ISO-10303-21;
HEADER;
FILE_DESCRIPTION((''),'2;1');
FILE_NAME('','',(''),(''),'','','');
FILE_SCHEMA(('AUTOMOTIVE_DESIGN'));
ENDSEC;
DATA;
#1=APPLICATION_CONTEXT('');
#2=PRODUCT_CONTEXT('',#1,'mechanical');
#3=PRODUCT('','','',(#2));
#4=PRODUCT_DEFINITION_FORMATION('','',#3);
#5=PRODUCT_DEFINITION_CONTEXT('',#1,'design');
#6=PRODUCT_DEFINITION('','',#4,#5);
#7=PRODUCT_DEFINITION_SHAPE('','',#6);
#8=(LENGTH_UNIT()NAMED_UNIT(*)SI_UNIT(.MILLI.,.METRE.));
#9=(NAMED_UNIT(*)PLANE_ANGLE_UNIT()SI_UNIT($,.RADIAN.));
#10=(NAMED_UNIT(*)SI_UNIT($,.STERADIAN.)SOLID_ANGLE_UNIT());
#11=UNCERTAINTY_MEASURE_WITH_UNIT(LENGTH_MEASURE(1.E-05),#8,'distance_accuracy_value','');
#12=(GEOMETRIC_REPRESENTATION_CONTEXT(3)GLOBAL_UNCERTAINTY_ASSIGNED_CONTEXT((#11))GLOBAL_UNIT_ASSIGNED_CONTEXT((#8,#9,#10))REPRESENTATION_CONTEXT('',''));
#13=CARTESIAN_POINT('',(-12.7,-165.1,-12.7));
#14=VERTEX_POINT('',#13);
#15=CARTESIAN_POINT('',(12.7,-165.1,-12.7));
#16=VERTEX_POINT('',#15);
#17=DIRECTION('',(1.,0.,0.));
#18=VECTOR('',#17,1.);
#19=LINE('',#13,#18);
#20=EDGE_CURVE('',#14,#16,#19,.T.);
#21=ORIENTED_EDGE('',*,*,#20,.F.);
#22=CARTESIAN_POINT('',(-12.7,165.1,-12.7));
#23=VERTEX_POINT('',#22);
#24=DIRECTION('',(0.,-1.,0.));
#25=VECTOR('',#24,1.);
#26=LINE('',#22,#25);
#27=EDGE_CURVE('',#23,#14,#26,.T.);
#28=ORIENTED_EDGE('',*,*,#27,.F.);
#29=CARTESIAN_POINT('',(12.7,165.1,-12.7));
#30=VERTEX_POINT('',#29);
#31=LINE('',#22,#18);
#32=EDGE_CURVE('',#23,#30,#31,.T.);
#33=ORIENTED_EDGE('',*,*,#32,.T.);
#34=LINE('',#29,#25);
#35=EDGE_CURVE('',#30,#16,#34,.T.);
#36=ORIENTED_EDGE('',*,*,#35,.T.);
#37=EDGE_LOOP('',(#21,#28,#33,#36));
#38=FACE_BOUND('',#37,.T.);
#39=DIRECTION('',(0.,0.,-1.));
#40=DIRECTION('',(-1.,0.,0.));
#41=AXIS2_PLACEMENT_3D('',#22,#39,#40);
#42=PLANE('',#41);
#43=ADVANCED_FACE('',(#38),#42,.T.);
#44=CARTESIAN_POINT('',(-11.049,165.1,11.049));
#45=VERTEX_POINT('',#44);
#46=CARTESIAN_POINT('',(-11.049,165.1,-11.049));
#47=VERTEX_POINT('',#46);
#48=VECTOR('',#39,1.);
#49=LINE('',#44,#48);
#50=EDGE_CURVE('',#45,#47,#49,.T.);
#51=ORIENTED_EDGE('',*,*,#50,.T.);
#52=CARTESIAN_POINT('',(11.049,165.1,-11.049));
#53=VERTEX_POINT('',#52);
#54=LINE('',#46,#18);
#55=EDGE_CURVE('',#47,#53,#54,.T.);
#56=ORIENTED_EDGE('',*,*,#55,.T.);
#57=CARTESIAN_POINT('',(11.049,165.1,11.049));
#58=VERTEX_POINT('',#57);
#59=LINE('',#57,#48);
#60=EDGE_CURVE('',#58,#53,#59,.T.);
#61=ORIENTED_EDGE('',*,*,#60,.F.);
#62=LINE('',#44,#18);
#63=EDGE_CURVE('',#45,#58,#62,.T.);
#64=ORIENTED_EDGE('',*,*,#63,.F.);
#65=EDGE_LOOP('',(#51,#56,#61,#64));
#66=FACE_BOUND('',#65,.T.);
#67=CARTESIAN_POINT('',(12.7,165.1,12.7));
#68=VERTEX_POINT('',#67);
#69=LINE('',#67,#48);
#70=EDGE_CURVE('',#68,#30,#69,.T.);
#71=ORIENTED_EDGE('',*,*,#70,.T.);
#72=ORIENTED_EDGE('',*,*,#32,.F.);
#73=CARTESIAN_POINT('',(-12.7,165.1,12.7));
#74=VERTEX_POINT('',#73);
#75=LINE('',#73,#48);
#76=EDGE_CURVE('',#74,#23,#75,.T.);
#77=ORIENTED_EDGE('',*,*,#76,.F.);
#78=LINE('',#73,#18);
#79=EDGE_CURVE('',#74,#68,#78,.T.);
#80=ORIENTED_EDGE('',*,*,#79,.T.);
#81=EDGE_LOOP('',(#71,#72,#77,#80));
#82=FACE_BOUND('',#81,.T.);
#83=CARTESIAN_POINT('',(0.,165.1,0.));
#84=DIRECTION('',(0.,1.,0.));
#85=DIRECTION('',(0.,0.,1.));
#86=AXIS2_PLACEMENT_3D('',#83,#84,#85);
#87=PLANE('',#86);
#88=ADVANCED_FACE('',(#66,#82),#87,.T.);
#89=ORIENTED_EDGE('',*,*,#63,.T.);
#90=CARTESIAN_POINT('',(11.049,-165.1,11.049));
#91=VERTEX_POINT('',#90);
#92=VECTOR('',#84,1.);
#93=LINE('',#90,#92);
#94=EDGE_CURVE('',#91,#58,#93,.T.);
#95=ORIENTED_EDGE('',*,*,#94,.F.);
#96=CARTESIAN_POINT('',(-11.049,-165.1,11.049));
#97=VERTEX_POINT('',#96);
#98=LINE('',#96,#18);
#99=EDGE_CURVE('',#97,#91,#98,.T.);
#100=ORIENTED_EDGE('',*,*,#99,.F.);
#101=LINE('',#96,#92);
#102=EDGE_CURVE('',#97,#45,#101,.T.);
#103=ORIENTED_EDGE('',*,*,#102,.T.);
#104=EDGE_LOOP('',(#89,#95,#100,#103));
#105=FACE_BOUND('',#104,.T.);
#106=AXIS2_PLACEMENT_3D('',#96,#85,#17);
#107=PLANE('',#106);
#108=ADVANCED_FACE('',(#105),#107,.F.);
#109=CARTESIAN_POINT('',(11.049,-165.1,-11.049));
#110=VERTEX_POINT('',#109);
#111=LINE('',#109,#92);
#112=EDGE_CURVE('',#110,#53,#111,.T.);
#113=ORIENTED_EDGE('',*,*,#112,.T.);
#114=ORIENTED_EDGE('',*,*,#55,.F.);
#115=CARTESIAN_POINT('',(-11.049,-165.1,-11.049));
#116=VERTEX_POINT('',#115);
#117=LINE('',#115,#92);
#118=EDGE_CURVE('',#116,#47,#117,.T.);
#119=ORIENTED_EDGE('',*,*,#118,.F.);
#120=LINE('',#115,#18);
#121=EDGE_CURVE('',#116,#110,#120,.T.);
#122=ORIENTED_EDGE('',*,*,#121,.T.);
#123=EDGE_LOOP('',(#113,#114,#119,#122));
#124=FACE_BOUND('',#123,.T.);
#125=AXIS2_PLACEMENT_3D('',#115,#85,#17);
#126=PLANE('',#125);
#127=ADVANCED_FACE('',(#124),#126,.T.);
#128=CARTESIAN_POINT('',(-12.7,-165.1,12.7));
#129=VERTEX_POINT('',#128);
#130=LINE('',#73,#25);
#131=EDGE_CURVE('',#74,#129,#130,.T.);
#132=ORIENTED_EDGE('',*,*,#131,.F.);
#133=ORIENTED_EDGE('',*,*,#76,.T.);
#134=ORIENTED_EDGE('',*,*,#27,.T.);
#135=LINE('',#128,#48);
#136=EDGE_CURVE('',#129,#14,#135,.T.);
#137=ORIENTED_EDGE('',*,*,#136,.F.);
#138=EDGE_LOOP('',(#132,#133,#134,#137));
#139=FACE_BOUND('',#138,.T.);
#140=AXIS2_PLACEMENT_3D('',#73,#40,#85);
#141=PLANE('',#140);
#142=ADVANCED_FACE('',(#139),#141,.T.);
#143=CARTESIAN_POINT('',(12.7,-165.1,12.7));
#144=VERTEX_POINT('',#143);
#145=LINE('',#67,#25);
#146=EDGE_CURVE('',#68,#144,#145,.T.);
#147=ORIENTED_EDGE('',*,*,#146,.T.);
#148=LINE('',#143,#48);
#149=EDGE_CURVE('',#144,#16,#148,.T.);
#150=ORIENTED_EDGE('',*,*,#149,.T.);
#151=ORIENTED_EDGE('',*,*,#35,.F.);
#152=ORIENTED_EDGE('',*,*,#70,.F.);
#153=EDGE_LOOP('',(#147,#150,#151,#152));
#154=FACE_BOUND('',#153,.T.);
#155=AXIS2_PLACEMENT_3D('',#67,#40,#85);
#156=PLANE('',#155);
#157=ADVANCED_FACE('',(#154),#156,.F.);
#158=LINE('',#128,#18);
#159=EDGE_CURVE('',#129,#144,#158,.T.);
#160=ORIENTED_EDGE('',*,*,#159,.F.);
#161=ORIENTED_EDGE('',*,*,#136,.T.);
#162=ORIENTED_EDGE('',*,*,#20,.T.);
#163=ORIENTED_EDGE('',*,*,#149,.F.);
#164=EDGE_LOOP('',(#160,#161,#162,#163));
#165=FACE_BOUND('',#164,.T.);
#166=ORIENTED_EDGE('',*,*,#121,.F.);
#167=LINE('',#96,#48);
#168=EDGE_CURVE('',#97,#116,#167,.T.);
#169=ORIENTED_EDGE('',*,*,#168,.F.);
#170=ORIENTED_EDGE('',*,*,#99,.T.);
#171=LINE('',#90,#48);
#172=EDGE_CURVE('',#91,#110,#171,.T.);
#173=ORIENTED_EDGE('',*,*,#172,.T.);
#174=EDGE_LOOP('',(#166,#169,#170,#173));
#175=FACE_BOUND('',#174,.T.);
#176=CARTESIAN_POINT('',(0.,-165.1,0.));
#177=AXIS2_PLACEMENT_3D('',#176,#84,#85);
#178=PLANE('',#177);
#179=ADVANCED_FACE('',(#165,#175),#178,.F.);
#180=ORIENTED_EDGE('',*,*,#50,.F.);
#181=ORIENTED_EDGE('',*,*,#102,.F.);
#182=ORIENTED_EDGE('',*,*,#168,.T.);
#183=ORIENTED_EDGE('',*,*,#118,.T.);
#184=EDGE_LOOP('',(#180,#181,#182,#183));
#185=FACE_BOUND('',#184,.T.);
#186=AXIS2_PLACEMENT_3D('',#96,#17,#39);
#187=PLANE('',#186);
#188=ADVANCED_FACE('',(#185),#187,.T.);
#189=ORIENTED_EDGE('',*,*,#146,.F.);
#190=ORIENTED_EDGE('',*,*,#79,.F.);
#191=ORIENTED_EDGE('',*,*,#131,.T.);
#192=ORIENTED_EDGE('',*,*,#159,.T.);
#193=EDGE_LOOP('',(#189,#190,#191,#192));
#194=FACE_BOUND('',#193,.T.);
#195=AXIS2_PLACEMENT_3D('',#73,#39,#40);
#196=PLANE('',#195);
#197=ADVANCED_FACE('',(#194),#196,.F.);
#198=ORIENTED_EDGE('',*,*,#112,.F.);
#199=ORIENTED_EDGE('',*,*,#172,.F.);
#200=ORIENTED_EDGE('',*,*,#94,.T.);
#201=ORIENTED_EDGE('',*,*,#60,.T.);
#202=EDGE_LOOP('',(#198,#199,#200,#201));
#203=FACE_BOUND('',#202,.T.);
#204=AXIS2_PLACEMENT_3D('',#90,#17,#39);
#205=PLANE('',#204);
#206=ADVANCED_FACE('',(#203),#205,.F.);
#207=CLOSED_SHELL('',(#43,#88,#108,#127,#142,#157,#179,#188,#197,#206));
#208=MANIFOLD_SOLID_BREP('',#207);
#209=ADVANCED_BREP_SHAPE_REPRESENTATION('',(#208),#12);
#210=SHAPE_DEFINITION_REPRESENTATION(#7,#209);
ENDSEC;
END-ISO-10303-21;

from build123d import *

# Parameters (mm, degrees)
SKETCH1_W           = 25.4
SKETCH1_H           = 25.4
BOSS_EXTRUDE1_DEPTH = 165.1
SKETCH2_W           = 22.098
SKETCH2_H           = 22.098
CUT_EXTRUDE1_DEPTH  = 331.688100784


with BuildPart() as part:
    # Sketch1 → Boss-Extrude1 (new, symmetric)
    with BuildSketch(Plane(origin=(0, 0, 0), x_dir=(1, 0, 0), z_dir=(0, 1, 0))):
        Rectangle(SKETCH1_W, SKETCH1_H)
    extrude(amount=BOSS_EXTRUDE1_DEPTH, both=True)

    # Sketch2 → Cut-Extrude1 (cut, through all)
    with BuildSketch(Plane(origin=(0, 165.1, 0), x_dir=(1, 0, 0), z_dir=(0, 1, 0))):
        Rectangle(SKETCH2_W, SKETCH2_H)
    extrude(amount=-CUT_EXTRUDE1_DEPTH, mode=Mode.SUBTRACT)


solid = part.part
